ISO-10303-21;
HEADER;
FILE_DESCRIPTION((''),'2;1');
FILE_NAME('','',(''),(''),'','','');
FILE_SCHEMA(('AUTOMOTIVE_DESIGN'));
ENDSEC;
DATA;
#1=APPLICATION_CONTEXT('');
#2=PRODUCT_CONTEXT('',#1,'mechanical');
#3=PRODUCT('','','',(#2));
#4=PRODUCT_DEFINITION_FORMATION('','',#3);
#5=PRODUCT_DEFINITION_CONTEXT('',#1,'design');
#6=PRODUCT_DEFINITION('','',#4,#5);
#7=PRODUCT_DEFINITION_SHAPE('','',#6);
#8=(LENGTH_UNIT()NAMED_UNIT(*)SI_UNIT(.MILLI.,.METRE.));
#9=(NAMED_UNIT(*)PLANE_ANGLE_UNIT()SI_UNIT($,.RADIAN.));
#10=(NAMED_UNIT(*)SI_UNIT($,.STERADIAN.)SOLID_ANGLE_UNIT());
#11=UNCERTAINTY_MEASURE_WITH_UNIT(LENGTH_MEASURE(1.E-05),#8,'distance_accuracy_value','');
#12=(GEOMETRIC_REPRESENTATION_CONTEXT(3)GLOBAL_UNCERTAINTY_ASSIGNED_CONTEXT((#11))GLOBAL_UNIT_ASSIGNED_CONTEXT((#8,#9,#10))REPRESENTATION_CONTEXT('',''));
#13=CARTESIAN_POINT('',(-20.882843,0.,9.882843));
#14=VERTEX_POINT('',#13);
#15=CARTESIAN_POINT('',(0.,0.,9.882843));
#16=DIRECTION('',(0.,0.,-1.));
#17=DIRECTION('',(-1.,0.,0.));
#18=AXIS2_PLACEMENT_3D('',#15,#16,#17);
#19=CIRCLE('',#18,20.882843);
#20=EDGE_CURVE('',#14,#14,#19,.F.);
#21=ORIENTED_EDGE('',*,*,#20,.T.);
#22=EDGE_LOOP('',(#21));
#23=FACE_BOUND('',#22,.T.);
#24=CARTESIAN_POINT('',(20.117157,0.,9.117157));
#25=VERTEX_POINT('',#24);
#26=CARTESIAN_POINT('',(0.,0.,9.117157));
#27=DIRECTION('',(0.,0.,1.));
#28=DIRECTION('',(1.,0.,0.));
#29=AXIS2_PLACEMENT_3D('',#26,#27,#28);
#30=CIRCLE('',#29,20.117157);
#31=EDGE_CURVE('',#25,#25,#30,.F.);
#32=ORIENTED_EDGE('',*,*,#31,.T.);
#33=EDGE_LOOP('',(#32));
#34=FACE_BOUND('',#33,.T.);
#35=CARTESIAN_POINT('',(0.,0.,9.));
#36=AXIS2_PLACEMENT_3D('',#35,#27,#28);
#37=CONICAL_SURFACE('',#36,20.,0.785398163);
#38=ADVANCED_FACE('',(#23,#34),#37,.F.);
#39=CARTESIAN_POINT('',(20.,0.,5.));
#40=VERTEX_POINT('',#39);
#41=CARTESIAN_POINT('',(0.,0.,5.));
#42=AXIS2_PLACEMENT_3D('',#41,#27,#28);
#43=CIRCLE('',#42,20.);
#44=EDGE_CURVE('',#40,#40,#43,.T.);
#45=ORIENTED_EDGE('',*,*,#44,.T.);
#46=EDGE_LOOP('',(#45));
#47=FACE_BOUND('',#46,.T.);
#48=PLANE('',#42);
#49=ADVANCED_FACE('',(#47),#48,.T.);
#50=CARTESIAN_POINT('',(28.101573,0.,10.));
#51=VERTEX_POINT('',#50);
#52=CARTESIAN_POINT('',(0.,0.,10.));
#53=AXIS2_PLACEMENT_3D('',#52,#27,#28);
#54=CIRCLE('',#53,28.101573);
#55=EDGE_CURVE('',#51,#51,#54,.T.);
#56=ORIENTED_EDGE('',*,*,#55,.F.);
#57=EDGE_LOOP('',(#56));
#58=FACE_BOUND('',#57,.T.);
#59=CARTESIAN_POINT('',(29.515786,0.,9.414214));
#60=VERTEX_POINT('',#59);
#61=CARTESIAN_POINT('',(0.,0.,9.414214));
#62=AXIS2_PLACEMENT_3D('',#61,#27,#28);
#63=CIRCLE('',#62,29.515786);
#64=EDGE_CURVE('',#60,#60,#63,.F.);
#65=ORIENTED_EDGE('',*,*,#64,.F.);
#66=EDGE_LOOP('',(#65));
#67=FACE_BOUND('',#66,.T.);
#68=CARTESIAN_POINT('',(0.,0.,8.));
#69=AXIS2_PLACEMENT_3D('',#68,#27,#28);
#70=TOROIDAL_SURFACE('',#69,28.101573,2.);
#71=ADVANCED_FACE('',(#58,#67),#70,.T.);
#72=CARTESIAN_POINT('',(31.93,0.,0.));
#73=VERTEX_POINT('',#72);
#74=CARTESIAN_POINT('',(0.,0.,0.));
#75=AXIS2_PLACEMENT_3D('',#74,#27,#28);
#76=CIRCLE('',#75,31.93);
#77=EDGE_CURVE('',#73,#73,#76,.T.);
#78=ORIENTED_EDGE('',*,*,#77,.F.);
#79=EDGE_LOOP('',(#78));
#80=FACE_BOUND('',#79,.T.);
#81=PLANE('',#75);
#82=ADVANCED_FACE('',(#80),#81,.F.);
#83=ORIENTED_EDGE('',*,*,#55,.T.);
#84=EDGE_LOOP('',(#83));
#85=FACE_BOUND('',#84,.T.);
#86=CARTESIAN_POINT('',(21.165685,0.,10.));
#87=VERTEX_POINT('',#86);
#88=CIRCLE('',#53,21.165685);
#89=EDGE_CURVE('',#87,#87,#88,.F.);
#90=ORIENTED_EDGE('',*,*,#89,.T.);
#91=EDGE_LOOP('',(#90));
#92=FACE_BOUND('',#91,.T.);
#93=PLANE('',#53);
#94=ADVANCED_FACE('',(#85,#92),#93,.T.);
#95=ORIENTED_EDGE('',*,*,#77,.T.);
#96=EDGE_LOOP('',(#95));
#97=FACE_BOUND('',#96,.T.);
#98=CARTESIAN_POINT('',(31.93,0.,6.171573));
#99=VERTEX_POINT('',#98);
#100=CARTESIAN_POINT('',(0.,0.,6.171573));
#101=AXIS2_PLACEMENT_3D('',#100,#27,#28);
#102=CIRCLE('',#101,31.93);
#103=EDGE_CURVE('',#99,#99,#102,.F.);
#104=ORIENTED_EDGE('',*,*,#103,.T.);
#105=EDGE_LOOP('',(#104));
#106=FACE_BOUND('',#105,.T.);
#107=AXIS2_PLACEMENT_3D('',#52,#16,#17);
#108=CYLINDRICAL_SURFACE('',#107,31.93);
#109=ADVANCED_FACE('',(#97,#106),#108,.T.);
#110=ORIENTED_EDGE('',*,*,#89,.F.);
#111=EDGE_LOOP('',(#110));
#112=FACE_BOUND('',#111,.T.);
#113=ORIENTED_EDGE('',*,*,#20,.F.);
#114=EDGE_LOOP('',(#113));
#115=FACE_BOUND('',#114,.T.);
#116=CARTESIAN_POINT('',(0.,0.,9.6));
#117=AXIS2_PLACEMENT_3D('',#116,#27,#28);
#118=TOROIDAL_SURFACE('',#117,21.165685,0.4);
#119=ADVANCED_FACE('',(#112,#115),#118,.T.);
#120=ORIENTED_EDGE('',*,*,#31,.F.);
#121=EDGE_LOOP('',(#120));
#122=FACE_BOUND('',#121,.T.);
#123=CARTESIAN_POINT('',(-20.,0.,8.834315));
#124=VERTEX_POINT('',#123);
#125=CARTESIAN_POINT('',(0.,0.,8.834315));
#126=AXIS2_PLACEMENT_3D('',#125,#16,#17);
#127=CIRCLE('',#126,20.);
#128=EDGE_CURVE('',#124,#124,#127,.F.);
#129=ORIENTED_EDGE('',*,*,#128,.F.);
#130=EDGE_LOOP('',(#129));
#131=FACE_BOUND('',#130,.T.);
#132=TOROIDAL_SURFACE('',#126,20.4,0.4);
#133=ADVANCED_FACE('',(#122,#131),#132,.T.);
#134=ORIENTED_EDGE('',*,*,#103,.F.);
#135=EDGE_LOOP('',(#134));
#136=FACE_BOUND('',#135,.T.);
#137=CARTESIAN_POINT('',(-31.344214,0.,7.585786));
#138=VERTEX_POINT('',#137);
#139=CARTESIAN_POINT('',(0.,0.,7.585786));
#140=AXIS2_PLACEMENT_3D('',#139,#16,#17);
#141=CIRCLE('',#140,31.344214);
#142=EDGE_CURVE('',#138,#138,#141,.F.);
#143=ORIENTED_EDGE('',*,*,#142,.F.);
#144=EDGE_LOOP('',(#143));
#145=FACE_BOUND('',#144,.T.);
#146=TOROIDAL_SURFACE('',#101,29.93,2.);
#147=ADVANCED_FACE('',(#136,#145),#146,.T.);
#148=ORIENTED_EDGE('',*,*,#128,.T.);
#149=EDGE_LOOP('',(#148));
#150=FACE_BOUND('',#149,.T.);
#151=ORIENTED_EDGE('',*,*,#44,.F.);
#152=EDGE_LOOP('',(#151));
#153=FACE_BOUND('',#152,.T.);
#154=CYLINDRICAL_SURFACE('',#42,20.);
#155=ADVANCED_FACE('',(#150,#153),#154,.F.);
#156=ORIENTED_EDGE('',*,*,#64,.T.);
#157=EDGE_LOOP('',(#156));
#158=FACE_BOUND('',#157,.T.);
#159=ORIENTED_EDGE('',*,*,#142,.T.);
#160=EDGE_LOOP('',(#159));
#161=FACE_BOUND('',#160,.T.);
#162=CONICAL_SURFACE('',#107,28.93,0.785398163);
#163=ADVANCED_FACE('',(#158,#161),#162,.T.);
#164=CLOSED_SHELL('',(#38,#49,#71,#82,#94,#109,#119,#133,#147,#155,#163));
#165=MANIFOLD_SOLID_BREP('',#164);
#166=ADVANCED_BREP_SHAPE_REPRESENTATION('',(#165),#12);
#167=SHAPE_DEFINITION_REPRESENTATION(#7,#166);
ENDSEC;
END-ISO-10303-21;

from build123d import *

# Parameters (mm, degrees)
SKETCH1_R           = 31.93
BOSS_EXTRUDE1_DEPTH = 10
CHAMFER1_SIZE       = 3
FILLET1_R           = 2
SKETCH2_R           = 20
CUT_EXTRUDE1_DEPTH  = 5
CHAMFER2_SIZE       = 1
FILLET2_R           = 0.4


with BuildPart() as part:
    # Sketch1 → Boss-Extrude1 (new body)
    with BuildSketch(Plane.XY):
        Circle(SKETCH1_R)
    extrude(amount=BOSS_EXTRUDE1_DEPTH)

    # Chamfer1
    chamfer1_edges = [part.edges().sort_by_distance(p)[0] for p in [
        (-31.93, 0, 10),
    ]]
    chamfer(chamfer1_edges, length=CHAMFER1_SIZE)

    # Fillet1
    fillet1_edges = [part.edges().sort_by_distance(p)[0] for p in [
        (-28.93, 0, 10),
        (-31.93, 0, 7),
    ]]
    fillet(fillet1_edges, radius=FILLET1_R)

    # Sketch2 → Cut-Extrude1 (cut)
    with BuildSketch(Plane.XY.offset(10)):
        Circle(SKETCH2_R)
    extrude(amount=-CUT_EXTRUDE1_DEPTH, mode=Mode.SUBTRACT)

    # Chamfer2
    chamfer2_edges = [part.edges().sort_by_distance(p)[0] for p in [
        (-20, 0, 10),
    ]]
    chamfer(chamfer2_edges, length=CHAMFER2_SIZE)

    # Fillet2
    fillet2_edges = [part.edges().sort_by_distance(p)[0] for p in [
        (-20, 0, 9),
        (-21, 0, 10),
    ]]
    fillet(fillet2_edges, radius=FILLET2_R)


solid = part.part
